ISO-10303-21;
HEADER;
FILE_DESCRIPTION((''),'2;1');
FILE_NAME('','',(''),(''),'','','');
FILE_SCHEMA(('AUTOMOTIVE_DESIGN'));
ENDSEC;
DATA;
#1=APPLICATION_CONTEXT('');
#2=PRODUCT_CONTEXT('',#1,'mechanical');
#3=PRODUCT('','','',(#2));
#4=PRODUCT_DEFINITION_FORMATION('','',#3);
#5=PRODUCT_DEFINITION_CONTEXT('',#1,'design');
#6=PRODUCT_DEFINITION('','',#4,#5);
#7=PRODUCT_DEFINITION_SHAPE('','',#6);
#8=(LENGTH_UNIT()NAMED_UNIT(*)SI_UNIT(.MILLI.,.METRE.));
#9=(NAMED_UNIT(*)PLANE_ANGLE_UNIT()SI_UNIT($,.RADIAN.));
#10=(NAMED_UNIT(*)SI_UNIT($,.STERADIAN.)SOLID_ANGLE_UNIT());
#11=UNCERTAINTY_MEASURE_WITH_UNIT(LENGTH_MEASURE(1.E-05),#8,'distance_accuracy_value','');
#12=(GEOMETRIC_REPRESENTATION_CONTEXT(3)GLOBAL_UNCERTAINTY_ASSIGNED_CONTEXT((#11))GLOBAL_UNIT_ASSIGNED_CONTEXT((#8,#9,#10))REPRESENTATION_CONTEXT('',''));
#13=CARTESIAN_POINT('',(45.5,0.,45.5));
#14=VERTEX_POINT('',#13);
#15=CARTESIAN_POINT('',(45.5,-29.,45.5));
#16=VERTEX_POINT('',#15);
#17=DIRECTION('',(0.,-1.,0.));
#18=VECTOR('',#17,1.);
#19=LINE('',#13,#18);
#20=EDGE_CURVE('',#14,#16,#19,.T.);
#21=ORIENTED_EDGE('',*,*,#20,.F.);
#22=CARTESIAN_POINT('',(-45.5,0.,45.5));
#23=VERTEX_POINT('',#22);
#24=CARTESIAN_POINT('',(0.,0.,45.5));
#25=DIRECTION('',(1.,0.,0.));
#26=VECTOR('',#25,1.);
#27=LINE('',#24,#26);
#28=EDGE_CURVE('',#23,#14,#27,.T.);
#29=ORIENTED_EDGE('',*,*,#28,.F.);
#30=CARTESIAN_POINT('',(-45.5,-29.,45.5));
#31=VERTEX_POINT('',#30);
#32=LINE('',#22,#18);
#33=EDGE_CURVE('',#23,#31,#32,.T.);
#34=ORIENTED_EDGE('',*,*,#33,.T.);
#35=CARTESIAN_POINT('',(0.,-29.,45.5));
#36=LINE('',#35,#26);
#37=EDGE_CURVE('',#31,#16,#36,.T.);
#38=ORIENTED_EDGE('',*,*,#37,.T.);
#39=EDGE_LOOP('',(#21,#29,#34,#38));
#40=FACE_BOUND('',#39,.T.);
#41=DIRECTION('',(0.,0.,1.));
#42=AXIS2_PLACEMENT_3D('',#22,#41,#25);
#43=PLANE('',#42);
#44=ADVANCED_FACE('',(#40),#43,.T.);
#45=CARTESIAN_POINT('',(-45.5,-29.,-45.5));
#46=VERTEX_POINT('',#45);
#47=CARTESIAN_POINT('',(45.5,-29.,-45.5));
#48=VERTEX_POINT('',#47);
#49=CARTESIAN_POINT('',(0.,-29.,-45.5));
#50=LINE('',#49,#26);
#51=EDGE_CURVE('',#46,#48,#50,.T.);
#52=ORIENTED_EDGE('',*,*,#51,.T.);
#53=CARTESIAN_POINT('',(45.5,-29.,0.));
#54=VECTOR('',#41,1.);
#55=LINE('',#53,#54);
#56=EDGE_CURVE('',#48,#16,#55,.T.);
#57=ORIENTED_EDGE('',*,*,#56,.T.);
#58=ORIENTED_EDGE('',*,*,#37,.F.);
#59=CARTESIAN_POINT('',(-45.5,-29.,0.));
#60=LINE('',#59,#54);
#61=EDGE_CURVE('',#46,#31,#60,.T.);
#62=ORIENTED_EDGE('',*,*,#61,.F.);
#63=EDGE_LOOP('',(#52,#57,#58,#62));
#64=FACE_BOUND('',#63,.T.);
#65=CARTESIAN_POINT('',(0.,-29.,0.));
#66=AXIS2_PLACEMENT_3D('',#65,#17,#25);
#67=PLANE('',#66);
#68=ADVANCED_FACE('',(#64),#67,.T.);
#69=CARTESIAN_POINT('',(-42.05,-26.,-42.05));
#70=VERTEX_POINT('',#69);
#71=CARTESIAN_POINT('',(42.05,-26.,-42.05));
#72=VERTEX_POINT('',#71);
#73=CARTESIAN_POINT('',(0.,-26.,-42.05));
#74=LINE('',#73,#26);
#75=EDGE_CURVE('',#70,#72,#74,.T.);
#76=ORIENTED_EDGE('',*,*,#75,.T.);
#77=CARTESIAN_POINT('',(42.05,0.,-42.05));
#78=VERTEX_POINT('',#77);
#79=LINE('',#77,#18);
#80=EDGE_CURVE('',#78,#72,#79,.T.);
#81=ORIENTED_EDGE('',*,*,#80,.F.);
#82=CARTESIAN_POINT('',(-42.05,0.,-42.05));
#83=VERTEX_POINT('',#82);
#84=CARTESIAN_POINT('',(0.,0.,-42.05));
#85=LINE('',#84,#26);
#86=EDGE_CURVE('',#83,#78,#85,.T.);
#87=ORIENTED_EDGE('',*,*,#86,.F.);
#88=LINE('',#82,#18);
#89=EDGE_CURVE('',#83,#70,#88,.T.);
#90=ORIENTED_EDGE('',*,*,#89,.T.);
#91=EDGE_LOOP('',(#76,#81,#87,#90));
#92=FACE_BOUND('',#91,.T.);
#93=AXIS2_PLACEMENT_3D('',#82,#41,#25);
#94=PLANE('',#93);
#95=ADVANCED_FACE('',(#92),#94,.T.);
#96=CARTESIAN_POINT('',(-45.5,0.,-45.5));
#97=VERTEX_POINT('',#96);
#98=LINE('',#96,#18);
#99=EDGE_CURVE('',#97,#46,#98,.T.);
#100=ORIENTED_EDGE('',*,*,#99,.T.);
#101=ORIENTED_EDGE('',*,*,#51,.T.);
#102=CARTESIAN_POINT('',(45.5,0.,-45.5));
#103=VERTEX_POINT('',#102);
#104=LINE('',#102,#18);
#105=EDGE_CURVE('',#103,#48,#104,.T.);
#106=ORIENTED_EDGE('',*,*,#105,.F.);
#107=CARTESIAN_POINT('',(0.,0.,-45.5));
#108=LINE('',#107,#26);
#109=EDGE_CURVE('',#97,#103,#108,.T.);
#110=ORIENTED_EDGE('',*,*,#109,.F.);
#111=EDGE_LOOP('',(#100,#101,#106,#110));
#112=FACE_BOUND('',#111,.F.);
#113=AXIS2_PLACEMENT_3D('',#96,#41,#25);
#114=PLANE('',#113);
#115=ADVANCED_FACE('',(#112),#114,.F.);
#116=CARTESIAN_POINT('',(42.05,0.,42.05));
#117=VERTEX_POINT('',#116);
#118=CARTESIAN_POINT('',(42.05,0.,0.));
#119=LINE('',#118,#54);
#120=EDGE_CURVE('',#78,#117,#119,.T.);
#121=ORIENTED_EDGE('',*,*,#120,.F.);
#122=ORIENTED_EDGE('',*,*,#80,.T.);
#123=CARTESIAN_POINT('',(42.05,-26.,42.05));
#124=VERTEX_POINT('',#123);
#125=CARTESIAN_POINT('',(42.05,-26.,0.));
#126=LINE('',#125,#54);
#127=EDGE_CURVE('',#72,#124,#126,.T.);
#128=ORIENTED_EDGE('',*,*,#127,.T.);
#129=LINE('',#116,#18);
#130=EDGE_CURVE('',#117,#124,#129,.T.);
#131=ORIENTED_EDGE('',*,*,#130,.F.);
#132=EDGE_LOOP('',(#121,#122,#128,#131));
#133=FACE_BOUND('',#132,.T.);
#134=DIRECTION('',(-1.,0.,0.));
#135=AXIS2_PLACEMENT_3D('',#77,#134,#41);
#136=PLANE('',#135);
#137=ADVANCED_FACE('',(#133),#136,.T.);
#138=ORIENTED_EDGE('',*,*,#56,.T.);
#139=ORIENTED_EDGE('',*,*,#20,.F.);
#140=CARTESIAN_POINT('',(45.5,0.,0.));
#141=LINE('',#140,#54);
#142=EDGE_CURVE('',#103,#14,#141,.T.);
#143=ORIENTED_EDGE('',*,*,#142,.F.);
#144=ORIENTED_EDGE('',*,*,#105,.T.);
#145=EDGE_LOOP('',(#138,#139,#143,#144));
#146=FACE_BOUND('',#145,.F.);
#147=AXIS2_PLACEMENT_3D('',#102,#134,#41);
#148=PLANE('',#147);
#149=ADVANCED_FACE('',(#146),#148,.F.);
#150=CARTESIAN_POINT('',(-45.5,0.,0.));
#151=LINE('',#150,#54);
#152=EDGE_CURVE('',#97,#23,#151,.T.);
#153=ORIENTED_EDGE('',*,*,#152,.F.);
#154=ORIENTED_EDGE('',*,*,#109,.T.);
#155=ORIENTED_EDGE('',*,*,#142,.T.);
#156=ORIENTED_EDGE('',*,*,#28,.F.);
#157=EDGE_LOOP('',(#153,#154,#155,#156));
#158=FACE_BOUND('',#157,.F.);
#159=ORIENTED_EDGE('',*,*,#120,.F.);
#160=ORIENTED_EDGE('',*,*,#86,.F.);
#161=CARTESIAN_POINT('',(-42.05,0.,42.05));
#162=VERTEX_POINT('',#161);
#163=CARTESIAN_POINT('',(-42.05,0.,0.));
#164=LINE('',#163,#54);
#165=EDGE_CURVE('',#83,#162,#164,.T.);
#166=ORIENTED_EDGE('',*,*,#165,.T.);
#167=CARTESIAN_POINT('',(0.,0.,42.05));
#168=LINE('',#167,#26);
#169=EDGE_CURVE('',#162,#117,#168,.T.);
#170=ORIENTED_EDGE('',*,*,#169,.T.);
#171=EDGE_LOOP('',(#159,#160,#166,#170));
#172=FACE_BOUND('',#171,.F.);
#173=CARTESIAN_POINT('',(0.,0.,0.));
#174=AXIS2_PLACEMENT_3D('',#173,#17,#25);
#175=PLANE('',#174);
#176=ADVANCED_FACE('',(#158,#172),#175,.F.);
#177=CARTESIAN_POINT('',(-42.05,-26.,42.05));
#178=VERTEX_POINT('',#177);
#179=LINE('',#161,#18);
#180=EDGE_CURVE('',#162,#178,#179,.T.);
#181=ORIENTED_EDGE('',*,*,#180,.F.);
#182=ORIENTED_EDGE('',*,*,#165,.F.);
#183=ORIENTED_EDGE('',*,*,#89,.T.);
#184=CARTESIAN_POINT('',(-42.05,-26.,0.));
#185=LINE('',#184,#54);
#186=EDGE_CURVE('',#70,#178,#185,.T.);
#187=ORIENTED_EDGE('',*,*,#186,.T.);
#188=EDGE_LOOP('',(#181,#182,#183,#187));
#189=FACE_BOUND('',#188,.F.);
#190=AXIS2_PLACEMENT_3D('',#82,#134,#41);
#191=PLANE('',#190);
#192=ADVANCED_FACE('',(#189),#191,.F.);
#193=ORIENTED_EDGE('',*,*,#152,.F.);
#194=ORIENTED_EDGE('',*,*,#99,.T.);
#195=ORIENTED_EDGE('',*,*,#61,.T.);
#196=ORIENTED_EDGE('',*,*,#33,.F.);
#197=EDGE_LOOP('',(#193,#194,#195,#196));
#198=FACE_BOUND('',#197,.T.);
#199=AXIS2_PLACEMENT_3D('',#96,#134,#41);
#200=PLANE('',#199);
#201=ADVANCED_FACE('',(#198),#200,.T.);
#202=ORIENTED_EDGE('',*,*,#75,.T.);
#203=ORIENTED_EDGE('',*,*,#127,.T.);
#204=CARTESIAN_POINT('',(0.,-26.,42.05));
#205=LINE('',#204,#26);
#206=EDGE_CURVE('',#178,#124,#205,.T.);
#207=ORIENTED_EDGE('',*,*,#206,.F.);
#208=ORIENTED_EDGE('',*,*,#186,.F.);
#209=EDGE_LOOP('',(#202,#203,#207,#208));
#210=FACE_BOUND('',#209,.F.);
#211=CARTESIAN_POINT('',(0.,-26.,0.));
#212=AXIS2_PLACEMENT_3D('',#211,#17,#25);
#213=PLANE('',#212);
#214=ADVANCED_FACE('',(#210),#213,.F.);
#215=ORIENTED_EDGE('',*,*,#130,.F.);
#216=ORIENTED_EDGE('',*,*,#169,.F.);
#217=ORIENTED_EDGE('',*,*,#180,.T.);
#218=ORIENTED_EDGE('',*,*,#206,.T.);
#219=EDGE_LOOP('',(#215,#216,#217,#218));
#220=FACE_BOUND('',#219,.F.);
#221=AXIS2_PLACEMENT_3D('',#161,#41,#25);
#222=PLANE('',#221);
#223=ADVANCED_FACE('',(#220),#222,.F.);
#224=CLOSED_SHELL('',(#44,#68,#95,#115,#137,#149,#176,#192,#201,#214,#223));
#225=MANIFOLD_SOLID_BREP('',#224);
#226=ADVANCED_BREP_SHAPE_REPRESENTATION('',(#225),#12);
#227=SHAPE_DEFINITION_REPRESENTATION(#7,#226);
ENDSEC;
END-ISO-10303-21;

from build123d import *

# Parameters (mm, degrees)
SKETCH_W     = 91
SKETCH_H     = 91
PAD_DEPTH    = 29
SKETCH001_W  = 84.1
SKETCH001_H  = 84.1
POCKET_DEPTH = 26


with BuildPart() as part:
    # Sketch (on XZ_Plane of Origin) → Pad (new body)
    with BuildSketch(Plane.XZ):
        Rectangle(SKETCH_W, SKETCH_H)
    extrude(amount=PAD_DEPTH)

    # Sketch001 (on XZ_Plane of Origin) → Pocket (cut)
    with BuildSketch(Plane.XZ):
        Rectangle(SKETCH001_W, SKETCH001_H)
    extrude(amount=POCKET_DEPTH, mode=Mode.SUBTRACT)


solid = part.part
